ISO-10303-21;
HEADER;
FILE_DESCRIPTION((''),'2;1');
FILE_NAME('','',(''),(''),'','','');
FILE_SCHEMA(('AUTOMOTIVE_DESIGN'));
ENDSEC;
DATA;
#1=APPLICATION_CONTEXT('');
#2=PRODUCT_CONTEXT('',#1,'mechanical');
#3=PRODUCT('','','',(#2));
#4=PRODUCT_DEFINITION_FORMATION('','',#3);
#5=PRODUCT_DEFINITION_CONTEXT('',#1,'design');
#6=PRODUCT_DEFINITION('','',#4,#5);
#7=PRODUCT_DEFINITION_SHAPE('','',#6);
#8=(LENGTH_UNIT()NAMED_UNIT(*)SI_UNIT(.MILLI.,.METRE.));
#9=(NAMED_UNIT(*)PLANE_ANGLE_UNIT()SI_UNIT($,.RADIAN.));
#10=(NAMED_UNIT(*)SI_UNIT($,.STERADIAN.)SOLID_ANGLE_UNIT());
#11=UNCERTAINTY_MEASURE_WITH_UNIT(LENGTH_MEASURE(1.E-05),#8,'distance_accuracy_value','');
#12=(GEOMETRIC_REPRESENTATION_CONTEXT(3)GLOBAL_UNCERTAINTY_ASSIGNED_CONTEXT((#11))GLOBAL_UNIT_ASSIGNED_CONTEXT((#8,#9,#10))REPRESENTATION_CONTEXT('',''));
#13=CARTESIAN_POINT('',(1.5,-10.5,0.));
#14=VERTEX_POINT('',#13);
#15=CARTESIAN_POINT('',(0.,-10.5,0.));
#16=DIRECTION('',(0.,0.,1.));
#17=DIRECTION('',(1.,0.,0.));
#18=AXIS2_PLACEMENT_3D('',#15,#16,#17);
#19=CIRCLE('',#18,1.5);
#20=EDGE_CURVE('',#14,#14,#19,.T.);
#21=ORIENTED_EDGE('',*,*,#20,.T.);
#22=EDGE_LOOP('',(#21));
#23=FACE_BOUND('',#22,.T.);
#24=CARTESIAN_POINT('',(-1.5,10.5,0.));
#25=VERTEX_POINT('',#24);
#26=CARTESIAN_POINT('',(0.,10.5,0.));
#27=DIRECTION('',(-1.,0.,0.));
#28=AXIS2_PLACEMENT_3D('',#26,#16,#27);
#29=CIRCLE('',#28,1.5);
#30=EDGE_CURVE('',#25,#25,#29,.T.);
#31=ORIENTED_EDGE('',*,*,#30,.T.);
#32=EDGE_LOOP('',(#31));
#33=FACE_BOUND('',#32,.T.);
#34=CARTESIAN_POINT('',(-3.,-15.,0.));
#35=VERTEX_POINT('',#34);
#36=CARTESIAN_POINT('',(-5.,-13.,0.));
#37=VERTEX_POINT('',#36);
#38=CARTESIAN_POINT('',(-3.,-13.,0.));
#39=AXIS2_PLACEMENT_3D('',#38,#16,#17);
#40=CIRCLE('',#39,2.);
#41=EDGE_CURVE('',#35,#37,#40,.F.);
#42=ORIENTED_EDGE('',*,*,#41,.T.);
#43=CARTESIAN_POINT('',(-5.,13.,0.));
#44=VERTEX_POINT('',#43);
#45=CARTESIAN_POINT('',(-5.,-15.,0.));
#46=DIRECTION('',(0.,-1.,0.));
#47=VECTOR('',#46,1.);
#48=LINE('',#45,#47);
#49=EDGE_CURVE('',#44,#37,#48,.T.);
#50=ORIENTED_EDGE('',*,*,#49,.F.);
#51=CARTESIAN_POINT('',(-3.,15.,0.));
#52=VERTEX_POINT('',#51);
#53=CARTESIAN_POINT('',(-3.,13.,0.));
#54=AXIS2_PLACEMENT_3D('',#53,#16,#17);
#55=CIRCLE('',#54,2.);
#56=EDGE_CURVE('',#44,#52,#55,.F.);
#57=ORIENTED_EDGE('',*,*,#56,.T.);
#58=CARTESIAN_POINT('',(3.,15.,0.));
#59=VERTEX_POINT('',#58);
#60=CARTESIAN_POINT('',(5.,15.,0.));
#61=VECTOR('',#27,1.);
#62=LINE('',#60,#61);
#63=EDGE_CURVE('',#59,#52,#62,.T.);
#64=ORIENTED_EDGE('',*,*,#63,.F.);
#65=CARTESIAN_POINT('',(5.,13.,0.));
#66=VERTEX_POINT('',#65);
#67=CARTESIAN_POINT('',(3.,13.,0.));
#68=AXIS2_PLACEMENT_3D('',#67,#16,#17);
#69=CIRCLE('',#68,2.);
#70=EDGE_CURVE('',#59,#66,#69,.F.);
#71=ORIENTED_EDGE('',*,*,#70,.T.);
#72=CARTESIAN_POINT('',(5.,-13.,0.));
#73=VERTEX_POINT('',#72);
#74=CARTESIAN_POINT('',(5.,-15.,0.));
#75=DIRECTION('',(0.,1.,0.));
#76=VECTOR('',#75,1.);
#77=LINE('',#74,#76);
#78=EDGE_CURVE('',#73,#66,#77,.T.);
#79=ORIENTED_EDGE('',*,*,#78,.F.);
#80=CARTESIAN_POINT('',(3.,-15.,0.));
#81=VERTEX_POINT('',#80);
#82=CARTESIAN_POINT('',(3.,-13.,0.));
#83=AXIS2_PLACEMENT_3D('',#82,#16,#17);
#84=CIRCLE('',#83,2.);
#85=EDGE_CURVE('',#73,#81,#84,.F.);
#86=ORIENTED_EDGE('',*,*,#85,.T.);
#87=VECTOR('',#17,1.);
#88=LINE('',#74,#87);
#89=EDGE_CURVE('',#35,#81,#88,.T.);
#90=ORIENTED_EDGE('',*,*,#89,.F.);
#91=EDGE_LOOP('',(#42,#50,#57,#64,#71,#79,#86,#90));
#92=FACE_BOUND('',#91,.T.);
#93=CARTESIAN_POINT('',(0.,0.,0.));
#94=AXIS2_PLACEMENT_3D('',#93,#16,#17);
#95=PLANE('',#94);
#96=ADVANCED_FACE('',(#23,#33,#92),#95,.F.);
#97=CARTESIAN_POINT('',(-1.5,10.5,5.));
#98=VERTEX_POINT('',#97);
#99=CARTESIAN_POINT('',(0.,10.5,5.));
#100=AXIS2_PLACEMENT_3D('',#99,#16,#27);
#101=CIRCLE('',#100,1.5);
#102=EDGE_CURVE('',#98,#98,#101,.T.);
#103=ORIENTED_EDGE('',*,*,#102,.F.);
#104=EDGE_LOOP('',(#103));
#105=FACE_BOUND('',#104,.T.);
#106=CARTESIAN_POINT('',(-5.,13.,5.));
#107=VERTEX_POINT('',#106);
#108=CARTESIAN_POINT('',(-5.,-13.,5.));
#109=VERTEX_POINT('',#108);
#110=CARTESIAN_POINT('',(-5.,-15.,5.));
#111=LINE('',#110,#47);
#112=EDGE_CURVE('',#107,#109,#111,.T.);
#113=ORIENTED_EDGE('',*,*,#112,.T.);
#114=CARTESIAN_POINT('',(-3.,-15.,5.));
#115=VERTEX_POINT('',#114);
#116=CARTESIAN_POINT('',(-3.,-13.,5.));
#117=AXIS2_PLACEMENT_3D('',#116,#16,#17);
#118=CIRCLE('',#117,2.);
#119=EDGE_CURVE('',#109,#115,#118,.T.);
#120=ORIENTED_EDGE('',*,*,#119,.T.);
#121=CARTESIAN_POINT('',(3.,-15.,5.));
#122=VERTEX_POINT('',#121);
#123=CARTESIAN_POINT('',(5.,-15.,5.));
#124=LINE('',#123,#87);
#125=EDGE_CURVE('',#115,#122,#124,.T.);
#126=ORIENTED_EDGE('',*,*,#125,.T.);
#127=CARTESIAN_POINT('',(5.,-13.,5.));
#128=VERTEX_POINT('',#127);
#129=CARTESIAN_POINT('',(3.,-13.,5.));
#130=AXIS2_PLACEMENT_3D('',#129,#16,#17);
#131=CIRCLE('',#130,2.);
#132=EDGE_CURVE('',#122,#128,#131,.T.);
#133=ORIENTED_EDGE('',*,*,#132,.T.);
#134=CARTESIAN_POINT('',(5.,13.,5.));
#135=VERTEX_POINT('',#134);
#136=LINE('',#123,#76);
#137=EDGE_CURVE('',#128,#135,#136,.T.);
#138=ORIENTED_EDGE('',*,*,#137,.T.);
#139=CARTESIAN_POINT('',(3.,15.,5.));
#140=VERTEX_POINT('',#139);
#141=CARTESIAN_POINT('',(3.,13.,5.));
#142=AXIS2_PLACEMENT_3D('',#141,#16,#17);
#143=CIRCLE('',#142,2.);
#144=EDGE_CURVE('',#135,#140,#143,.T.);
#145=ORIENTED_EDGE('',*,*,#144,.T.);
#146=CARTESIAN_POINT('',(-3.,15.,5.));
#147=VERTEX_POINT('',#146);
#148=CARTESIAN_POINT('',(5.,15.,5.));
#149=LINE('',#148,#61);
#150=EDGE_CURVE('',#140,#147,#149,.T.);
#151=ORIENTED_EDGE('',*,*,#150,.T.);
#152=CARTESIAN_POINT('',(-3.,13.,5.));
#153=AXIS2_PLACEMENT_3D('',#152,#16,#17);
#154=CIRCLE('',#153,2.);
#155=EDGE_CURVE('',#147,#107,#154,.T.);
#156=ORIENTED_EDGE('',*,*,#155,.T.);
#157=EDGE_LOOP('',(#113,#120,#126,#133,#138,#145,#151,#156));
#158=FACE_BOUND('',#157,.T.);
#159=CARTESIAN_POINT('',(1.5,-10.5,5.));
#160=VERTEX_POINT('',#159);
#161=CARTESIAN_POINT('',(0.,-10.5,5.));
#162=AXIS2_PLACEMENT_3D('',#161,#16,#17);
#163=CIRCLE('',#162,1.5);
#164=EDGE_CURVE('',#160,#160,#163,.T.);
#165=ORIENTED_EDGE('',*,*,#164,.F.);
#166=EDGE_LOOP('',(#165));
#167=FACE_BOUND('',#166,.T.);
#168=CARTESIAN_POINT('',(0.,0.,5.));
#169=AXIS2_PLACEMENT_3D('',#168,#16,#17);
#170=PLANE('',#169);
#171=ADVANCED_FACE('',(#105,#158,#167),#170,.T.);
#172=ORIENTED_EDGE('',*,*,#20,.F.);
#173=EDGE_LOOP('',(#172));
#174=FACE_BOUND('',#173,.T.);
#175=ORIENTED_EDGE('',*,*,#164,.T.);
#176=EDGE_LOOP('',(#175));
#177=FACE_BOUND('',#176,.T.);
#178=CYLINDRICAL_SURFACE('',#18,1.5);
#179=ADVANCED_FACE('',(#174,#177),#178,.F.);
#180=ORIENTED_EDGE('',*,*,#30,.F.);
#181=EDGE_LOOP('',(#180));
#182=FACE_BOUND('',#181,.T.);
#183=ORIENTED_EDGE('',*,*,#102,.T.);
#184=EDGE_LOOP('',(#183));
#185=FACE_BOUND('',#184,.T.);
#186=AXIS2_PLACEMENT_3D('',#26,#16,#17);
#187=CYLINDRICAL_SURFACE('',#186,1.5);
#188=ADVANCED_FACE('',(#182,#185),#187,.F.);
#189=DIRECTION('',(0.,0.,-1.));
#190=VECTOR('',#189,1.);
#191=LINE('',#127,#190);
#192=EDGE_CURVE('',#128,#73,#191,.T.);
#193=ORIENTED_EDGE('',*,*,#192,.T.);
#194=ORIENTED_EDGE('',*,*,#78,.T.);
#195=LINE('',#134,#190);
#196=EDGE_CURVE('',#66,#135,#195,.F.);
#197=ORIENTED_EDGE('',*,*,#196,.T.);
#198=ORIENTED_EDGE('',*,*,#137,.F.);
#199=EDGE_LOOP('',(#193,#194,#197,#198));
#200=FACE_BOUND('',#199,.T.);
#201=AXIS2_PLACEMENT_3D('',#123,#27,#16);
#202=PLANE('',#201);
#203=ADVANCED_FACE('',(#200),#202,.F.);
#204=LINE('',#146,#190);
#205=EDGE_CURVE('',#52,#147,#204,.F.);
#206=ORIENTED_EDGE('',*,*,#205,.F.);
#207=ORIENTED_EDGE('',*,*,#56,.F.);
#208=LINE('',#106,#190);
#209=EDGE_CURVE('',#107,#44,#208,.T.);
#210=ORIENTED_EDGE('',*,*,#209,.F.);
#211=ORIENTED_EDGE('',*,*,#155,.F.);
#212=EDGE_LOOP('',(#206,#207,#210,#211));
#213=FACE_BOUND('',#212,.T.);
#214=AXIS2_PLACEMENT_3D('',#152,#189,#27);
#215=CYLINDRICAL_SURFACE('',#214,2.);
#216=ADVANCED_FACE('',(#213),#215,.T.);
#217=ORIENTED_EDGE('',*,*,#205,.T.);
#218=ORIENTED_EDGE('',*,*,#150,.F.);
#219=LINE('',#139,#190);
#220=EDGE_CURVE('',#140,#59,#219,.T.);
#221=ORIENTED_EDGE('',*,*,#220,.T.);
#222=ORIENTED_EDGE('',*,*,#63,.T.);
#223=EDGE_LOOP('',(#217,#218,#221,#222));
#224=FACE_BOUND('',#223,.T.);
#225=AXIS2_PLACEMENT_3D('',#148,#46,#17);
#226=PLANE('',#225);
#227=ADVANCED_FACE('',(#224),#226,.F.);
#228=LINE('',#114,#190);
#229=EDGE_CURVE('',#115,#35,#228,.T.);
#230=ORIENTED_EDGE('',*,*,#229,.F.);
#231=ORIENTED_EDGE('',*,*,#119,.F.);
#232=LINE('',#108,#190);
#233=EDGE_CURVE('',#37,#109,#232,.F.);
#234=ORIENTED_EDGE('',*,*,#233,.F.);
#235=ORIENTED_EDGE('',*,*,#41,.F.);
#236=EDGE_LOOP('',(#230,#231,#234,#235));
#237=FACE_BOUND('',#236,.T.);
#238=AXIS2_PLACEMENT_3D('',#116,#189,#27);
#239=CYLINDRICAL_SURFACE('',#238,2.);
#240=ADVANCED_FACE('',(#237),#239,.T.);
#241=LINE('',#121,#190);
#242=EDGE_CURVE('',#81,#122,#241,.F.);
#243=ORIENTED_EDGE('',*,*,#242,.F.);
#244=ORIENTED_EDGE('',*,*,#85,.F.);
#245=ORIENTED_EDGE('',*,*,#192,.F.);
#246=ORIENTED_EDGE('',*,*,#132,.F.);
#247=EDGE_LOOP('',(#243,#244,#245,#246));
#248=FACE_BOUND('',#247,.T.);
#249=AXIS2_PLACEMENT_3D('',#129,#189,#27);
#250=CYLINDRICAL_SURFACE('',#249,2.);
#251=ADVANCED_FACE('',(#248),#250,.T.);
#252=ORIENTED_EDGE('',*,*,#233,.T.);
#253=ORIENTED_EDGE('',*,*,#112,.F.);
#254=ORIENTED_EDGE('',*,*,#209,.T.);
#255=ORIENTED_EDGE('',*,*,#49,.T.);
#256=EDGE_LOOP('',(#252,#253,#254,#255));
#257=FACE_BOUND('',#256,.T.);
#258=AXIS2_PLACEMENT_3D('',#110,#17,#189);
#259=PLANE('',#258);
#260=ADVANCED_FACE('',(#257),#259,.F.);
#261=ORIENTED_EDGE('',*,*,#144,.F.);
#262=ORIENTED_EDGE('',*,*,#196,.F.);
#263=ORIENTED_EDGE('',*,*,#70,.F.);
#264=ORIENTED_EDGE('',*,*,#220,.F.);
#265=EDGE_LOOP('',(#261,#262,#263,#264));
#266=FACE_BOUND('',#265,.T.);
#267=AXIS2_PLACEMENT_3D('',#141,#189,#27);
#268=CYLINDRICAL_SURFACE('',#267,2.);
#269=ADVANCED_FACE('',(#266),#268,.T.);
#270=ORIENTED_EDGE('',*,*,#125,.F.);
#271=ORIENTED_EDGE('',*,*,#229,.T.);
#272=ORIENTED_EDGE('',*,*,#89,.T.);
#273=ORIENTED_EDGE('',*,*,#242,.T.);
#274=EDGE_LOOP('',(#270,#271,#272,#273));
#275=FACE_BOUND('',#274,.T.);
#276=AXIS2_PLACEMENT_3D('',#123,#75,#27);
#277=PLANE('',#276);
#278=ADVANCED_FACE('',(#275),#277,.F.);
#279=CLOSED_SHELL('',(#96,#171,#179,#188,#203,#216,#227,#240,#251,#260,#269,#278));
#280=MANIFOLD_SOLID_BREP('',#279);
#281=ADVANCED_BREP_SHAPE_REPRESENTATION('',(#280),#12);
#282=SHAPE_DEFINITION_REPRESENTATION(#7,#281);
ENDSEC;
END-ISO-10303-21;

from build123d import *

# Parameters (mm, degrees)
SKETCH_2_W          = 10
SKETCH_2_H          = 30
EXTRUDE_1_DEPTH     = 5
SKETCH_3_R          = 1.5
CUT_EXTRUDE_1_DEPTH = 17.583123952
FILLET_1_R          = 2


with BuildPart() as part:
    # 草图2 → 凸台-拉伸1 (new body)
    with BuildSketch(Plane.XY):
        Rectangle(SKETCH_2_W, SKETCH_2_H)
    extrude(amount=EXTRUDE_1_DEPTH)

    # 草图3 → 切除-拉伸1 (cut, through all)
    with BuildSketch(Plane.XY.offset(5)):
        with Locations((0, -10.5)):
            Circle(SKETCH_3_R)
        with Locations(Location((0, 10.5, 0), (0, 0, 180))):
            Circle(SKETCH_3_R)
    extrude(amount=-CUT_EXTRUDE_1_DEPTH, mode=Mode.SUBTRACT)

    # 圆角1
    fillet_1_edges = [part.edges().sort_by_distance(p)[0] for p in [
        (-5, 15, 2.5),
        (5, 15, 2.5),
        (5, -15, 2.5),
        (-5, -15, 2.5),
    ]]
    fillet(fillet_1_edges, radius=FILLET_1_R)


solid = part.part
